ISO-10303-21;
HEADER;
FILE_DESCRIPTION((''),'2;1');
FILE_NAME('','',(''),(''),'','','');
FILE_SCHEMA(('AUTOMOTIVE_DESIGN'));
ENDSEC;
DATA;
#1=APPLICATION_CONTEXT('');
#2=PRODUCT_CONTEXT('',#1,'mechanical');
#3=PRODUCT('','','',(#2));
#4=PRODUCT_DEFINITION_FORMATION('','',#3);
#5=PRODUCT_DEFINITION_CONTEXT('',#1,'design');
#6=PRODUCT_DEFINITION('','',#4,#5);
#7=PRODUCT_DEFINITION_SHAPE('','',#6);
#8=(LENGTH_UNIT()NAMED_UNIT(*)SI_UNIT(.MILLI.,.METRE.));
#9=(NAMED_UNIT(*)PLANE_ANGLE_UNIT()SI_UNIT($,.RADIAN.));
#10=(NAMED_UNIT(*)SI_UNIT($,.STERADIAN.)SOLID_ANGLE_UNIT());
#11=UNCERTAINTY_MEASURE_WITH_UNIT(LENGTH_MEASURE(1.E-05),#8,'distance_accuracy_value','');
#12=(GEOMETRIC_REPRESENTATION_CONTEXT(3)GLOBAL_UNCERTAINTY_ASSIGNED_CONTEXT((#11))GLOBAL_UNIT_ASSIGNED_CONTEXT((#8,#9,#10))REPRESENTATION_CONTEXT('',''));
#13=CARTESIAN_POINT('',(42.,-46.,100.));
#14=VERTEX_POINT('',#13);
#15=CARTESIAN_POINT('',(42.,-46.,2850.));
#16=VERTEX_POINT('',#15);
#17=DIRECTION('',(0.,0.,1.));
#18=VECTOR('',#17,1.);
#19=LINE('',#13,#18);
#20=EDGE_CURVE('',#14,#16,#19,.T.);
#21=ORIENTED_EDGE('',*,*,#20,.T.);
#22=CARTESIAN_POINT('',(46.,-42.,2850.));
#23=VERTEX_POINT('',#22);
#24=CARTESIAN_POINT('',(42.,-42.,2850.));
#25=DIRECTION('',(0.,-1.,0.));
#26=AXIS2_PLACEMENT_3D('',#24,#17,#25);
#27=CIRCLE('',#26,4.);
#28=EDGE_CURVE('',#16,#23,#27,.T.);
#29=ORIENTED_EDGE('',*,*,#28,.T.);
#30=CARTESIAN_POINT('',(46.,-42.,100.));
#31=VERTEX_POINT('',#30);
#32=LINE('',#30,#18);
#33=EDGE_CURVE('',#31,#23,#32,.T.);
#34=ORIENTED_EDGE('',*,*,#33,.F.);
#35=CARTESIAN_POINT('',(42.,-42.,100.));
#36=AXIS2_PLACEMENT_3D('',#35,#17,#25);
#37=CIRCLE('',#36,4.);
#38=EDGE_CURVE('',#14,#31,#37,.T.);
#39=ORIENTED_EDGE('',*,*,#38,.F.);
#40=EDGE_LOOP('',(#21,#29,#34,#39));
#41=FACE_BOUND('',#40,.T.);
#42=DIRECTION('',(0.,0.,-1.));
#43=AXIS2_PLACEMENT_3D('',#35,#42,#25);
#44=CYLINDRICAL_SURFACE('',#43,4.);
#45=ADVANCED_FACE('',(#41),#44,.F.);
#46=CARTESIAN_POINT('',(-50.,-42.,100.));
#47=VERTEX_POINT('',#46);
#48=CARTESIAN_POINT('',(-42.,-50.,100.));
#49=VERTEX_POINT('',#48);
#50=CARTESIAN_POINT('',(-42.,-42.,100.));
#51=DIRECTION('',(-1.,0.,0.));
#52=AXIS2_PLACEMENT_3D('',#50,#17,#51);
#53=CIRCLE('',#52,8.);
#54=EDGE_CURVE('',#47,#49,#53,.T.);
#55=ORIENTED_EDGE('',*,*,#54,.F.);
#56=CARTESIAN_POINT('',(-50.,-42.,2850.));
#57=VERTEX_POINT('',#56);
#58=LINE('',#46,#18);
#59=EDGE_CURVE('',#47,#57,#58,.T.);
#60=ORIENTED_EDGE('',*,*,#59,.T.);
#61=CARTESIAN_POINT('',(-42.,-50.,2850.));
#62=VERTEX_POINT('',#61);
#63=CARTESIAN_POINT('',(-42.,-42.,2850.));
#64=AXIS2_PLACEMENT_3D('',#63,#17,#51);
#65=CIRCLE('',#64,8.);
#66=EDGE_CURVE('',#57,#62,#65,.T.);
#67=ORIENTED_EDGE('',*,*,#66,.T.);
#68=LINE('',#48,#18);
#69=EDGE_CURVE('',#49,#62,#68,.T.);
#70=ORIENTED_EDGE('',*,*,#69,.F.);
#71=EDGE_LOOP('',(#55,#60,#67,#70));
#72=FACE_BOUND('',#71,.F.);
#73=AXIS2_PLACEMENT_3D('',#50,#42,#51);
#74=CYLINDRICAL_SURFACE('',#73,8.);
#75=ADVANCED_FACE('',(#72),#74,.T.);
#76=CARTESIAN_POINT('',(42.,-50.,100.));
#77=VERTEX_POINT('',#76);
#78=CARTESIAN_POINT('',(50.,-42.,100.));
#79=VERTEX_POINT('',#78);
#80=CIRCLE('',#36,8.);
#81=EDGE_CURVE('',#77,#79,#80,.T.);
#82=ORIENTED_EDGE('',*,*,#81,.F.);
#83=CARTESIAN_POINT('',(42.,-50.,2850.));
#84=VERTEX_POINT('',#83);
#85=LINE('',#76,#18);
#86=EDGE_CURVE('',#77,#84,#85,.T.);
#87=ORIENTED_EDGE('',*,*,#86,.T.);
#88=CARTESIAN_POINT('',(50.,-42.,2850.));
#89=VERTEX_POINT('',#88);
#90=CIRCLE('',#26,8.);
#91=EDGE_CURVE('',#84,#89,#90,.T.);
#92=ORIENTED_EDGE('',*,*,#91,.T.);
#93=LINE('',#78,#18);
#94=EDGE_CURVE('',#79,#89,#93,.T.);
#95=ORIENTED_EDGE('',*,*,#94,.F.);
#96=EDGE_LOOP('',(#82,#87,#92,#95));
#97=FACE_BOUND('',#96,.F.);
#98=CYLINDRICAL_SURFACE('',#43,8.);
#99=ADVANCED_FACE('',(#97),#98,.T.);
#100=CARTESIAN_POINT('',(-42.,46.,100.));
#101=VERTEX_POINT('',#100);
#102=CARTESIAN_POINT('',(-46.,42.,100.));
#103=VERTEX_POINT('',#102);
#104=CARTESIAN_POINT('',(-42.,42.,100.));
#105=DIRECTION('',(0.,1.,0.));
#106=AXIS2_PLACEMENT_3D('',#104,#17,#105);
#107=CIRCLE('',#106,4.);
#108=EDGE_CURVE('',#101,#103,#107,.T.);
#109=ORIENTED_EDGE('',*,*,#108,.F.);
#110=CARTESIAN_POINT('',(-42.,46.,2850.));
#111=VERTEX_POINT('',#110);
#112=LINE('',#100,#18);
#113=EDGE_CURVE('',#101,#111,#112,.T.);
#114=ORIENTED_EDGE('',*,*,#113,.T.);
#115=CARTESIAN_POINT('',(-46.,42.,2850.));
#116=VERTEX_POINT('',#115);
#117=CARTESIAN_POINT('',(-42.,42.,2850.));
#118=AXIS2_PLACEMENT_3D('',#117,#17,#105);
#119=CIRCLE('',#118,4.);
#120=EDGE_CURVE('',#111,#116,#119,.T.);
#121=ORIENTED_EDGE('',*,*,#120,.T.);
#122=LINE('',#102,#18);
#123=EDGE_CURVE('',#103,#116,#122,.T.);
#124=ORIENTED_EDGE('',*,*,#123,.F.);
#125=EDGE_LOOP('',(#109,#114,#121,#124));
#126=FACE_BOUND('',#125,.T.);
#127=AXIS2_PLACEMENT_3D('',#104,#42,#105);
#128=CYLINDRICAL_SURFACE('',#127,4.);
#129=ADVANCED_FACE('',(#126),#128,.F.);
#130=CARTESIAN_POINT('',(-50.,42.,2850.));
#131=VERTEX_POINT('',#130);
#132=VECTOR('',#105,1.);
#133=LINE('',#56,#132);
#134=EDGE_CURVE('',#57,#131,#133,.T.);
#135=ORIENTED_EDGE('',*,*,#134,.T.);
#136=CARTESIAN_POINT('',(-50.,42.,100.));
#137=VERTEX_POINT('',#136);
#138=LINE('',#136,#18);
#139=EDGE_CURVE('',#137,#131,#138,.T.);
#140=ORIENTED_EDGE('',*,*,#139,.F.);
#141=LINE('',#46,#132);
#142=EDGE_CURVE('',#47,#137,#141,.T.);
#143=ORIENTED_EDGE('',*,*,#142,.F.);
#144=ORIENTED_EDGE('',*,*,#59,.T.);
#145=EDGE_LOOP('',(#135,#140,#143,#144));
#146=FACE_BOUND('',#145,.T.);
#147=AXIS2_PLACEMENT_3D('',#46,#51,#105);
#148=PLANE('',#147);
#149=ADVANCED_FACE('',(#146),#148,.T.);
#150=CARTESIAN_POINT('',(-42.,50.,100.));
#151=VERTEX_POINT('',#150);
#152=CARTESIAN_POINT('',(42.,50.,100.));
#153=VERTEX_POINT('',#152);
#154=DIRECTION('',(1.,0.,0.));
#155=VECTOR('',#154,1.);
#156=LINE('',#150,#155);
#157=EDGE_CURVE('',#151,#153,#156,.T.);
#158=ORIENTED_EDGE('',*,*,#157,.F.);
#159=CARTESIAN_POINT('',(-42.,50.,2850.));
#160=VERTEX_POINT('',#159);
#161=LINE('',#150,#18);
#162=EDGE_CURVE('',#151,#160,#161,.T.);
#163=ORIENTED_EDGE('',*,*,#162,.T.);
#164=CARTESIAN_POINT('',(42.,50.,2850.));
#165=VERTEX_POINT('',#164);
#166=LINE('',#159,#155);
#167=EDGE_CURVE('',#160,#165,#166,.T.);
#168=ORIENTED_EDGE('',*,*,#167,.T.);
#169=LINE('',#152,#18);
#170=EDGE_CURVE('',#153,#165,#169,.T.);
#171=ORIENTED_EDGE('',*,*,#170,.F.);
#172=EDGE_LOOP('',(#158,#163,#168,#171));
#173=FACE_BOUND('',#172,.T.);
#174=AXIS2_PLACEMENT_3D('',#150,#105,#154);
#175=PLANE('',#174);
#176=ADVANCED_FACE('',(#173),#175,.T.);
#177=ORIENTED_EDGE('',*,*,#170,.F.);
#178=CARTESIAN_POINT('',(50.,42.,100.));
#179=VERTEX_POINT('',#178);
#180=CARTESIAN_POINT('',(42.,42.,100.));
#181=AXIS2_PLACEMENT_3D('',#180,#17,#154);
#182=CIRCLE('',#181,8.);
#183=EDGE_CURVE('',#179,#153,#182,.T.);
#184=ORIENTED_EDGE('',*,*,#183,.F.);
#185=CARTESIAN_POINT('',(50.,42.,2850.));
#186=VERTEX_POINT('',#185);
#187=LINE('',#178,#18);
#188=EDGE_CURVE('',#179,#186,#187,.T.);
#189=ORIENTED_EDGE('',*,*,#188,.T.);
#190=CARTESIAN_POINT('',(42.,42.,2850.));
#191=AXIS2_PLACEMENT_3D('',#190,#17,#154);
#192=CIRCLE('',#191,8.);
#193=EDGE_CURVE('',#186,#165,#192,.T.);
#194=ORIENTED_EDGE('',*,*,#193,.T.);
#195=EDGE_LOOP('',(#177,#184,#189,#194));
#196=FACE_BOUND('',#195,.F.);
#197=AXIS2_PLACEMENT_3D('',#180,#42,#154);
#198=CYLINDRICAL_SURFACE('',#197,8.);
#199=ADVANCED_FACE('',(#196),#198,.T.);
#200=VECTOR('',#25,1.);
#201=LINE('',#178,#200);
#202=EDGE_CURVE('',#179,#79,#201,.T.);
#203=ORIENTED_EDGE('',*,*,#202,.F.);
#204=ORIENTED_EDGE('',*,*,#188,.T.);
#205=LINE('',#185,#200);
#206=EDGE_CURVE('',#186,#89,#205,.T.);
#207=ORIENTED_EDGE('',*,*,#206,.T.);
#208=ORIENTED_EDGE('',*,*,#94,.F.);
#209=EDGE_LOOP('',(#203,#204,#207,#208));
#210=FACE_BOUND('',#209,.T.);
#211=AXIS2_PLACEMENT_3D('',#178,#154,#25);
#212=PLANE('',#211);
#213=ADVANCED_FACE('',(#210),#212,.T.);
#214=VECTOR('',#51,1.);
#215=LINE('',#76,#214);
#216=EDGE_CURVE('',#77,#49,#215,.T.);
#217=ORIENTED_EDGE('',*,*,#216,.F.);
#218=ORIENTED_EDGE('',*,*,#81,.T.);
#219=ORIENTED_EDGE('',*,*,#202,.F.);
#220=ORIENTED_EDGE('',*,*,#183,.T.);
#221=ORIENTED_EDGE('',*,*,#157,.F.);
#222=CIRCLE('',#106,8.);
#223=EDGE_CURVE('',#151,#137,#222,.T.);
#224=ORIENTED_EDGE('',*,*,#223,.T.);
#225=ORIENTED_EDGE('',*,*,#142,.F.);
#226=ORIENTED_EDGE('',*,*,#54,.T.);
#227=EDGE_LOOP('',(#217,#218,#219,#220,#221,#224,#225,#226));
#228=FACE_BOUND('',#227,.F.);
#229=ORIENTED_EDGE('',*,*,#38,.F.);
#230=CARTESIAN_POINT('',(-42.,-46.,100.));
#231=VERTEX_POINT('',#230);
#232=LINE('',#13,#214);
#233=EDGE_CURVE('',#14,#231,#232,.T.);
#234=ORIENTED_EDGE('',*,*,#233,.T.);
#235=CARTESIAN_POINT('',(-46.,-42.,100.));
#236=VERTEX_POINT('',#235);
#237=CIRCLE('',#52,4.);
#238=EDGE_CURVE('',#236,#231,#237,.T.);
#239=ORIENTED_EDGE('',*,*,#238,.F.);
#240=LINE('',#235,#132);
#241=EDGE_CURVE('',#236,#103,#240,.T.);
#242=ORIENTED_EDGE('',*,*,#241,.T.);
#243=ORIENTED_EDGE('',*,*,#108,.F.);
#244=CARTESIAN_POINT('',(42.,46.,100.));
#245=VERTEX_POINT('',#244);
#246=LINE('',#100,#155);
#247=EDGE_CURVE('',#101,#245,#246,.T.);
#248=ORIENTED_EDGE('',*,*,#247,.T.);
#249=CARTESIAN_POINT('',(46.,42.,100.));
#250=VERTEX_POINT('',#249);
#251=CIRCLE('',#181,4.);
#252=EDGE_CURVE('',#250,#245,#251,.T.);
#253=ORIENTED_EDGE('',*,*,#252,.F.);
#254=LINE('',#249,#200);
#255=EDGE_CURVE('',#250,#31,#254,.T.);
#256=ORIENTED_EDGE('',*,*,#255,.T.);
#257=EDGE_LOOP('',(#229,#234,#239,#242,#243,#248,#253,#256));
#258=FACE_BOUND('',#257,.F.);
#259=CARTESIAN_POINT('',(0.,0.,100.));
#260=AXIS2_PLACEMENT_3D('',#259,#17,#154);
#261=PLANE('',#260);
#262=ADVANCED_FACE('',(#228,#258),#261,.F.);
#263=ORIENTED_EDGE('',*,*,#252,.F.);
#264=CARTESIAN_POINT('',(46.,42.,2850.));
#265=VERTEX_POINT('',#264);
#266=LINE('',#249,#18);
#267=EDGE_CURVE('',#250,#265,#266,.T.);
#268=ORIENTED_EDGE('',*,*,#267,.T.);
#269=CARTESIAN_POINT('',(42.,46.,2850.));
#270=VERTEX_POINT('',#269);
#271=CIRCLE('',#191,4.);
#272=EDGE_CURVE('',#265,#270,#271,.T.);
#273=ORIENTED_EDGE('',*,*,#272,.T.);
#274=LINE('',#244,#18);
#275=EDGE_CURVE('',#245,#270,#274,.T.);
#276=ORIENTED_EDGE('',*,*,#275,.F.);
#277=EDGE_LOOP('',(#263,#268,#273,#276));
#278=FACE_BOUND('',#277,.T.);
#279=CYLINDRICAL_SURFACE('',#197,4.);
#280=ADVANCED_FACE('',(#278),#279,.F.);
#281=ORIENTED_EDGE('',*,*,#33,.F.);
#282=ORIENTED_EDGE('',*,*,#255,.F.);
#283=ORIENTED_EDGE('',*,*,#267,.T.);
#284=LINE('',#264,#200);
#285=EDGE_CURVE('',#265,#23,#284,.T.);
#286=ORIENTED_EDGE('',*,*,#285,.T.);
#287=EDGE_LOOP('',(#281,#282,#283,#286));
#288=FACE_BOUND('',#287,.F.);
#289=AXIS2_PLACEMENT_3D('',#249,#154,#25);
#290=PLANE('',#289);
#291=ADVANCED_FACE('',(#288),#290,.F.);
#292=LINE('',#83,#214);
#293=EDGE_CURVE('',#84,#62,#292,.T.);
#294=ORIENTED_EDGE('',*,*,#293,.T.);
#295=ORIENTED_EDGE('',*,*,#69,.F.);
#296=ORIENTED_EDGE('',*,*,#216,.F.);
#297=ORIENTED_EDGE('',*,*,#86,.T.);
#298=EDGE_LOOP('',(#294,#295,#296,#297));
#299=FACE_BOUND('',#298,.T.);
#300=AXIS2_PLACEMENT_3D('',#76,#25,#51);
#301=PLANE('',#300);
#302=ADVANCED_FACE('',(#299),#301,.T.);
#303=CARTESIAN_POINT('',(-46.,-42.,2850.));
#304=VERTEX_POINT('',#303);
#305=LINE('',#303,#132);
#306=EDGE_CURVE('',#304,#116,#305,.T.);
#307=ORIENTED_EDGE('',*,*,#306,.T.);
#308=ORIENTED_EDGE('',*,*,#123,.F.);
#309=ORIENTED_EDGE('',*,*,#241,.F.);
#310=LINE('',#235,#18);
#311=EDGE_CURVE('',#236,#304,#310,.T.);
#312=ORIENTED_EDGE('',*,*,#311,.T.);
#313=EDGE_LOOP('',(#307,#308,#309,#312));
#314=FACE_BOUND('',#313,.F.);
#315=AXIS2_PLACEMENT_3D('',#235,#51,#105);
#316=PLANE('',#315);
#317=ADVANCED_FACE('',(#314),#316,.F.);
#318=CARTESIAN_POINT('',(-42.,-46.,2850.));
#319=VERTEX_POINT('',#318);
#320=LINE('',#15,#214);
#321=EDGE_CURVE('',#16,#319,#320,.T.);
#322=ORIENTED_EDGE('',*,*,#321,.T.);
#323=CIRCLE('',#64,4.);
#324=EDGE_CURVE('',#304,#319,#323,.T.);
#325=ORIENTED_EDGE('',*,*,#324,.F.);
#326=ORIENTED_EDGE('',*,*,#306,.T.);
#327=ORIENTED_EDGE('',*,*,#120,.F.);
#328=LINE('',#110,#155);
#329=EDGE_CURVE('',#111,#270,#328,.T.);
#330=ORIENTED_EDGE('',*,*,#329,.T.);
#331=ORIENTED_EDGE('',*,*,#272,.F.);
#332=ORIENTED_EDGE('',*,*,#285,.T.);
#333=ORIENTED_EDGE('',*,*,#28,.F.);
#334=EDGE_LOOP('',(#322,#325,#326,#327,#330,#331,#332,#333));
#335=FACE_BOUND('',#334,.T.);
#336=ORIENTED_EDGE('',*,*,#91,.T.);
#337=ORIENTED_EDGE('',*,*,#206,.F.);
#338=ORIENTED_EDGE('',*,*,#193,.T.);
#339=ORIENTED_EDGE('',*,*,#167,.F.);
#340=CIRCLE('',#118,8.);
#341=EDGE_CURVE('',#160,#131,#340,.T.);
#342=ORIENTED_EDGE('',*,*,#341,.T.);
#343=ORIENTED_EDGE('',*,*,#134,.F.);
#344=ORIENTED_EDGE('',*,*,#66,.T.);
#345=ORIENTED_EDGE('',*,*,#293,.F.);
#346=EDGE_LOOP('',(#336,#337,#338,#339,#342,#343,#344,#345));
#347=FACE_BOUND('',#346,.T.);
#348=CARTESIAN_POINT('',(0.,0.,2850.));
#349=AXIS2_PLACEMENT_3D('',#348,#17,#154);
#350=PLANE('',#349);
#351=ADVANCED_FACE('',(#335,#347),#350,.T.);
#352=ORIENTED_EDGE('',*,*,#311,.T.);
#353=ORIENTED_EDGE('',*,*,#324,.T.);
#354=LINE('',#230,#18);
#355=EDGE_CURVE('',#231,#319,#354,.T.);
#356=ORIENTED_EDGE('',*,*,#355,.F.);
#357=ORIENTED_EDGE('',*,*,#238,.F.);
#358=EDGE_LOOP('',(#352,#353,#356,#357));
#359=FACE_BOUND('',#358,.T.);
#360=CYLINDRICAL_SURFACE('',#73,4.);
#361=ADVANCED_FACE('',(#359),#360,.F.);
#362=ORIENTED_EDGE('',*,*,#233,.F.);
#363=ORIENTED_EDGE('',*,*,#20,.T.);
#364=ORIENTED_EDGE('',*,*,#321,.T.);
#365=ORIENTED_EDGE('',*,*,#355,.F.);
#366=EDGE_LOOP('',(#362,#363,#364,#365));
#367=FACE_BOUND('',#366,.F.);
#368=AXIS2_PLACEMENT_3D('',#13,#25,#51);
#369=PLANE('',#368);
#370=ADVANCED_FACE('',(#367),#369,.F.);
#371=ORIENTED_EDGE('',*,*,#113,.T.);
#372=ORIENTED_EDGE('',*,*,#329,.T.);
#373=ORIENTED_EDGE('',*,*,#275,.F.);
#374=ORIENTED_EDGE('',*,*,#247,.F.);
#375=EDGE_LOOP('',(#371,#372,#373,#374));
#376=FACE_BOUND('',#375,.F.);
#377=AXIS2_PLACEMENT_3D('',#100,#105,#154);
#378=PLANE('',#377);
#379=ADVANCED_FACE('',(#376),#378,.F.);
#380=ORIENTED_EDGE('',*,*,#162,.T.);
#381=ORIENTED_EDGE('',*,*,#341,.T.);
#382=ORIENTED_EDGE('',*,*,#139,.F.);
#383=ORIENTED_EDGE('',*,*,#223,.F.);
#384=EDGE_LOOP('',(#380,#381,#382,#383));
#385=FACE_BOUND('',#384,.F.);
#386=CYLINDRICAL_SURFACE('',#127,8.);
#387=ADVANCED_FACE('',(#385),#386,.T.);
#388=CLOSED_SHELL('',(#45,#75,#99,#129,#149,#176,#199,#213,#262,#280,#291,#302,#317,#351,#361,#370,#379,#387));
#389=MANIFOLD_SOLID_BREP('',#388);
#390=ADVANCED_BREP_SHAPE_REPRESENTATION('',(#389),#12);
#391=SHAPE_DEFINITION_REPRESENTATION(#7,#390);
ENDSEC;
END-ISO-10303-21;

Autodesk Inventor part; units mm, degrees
ref_plane "YZ Plane" through (0, 0, 0) normal (1, 0, 0) x (0, 1, 0)
ref_plane "Start Plane" through (0, 0, 100) normal (0, 0, 1) x (1, 0, 0)
ref_plane "End Plane" through (0, 0, 2850) normal (0, 0, 1) x (1, 0, 0)
sketch "Sketch" plane through (0, 0, 0) normal (0, 0, 1) x (1, 0, 0)
  line L0 (-50, -42) -> (-50, 42)
  line L1 (-42, 50) -> (42, 50)
  line L2 (50, 42) -> (50, -42)
  line L3 (42, -50) -> (-42, -50)
  arc A0 (-50, -42) -> (-42, -50) centre (-42, -42) ccw
  arc A1 (50, 42) -> (42, 50) centre (42, 42) ccw
  arc A2 (-42, 50) -> (-50, 42) centre (-42, 42) ccw
  arc A3 (42, -50) -> (50, -42) centre (42, -42) ccw
  arc A4 (-42, 46) -> (-46, 42) centre (-42, 42) ccw
  line L4 (-42, 46) -> (42, 46)
  arc A5 (46, 42) -> (42, 46) centre (42, 42) ccw
  line L5 (46, 42) -> (46, -42)
  arc A6 (42, -46) -> (46, -42) centre (42, -42) ccw
  line L6 (42, -46) -> (-42, -46)
  arc A7 (-46, -42) -> (-42, -46) centre (-42, -42) ccw
  line L7 (-46, -42) -> (-46, 42)
  line L8 (0, 72.3196) -> (0, -72.3196) construction
  line L9 (-72.3196, 0) -> (72.3196, 0) construction
  dimension "d7" = 8
  dimension "d9" = 100
  dimension "d11" = 100
  dimension "d12" = 4
  dimension "d15" = 50
  dimension "d16" = 50
extrude "Body" add sketch "Sketch" along normal up to surface (2750 mm away) from surface at 100
sketch "Sketch3" plane through (0, 0, 0) normal (0, 0, 1) x (1, 0, 0)
  line L0 (0, 0) -> (10, 0)
ref_plane "Work Plane3" through (0, 0, 0) normal (0, -1, 0) x (1, 0, 0)
sketch "Sketch4" plane through (0, 0, 0) normal (0, -1, 0) x (1, 0, 0)
  line L0 (-2, 100) -> (12, 100) projected
  line L1 (-2, 2850) -> (12, 2850) projected
  dimension "d18" = 2750
equation "\"d7\" = G_IR"
equation "\"d9\" = G_W"
equation "\"d11\" = G_H"
equation "\"d12\" = G_T"
equation "\"d15\" = 0.5 * d9"
equation "\"d16\" = 0.5 * d11"
equation "\"d3\" = G_L"
equation "\"G_W\" = 100"
equation "\"G_H\" = 100"
equation "\"G_T\" = 4"
equation "\"G_IR\" = 8"
equation "\"G_L\" = d18"
equation "\"G_OFFSET_END\" = 0"
properties part number "ISO 10799-2 - 100x100x4 - 2750" material "Steel, Mild"
